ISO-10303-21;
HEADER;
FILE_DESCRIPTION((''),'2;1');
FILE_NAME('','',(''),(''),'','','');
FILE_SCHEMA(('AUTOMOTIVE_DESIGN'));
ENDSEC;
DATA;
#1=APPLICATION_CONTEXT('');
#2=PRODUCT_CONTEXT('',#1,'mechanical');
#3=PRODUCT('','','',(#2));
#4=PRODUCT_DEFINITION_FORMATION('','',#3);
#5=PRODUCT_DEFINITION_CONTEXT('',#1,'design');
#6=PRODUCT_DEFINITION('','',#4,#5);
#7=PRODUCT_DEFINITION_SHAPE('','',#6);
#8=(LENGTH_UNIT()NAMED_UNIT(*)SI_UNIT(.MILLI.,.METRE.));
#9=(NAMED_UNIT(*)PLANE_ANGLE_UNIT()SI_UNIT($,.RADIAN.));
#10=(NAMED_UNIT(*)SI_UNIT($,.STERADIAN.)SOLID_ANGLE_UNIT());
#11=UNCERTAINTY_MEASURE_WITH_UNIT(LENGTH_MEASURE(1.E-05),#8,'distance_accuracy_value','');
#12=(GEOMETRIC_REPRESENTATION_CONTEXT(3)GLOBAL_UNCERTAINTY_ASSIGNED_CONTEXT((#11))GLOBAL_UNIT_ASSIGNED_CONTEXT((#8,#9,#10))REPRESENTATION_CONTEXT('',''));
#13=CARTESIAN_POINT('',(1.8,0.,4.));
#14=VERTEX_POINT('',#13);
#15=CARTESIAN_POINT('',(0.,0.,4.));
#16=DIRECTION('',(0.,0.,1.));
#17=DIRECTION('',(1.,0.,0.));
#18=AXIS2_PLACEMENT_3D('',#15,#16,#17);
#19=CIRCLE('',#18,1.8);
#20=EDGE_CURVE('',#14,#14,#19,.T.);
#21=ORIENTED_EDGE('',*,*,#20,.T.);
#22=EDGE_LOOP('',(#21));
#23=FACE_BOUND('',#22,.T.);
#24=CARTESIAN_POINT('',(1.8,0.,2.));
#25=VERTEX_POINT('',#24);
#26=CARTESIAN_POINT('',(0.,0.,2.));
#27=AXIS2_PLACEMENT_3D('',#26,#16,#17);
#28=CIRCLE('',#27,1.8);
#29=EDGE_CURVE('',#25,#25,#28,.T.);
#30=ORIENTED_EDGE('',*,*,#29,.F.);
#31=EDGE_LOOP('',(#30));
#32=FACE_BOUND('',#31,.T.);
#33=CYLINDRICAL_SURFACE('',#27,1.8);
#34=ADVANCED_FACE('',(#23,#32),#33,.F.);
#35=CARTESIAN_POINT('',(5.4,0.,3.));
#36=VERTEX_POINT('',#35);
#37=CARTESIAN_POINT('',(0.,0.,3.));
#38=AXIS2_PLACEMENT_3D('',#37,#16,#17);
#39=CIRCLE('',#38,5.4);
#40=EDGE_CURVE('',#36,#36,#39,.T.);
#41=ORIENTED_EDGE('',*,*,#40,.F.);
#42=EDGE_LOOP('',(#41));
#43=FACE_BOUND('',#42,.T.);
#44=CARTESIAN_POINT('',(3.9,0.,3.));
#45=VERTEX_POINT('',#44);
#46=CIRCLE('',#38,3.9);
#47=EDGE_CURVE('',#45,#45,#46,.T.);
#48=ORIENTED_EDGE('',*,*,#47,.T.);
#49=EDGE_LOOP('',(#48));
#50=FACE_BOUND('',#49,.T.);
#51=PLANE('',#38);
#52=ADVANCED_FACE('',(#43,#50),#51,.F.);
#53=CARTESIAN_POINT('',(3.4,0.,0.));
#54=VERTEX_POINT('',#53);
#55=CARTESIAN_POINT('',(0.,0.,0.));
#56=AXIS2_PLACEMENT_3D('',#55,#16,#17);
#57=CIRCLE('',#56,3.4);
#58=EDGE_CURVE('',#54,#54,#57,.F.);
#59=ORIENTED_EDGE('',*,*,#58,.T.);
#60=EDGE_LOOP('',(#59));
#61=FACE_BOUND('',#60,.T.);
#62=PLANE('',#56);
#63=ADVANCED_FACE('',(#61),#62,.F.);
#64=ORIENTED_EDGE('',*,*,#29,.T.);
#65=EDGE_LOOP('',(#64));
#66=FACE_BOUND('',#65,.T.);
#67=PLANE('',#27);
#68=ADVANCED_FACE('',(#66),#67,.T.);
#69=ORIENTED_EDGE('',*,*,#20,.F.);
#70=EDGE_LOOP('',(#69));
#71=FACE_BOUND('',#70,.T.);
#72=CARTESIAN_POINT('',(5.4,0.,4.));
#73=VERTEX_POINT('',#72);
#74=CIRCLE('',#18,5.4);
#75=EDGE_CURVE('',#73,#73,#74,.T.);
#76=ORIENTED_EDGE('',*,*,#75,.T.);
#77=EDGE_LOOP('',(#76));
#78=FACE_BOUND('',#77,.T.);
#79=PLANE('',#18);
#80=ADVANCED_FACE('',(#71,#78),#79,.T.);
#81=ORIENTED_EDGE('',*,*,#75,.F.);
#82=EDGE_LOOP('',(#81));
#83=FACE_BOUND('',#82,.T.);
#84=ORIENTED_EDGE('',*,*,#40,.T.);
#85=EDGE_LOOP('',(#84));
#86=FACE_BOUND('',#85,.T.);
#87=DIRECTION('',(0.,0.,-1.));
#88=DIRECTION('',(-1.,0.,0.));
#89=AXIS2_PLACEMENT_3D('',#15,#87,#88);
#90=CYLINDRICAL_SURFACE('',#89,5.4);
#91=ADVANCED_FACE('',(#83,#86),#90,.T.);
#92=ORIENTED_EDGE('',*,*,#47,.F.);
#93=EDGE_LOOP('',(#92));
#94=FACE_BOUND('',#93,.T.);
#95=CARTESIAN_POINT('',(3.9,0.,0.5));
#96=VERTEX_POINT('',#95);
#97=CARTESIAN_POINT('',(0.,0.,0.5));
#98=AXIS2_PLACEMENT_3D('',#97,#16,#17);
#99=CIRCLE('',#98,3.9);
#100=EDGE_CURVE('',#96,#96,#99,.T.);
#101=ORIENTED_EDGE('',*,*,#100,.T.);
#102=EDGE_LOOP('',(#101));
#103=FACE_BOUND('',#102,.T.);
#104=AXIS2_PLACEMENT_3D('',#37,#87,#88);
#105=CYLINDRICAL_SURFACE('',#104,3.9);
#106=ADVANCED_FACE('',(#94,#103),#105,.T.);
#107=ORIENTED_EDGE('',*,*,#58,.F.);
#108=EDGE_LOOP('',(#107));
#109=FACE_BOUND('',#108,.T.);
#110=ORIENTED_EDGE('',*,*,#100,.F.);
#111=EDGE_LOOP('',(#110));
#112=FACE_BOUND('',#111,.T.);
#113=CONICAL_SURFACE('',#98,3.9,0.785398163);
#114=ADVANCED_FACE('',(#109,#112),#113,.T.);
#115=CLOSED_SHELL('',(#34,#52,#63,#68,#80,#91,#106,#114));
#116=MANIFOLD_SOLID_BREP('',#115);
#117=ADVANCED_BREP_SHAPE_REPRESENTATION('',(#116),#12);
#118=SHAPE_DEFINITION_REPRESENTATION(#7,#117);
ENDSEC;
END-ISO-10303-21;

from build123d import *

# Parameters (mm, degrees)
SKETCH_1_R          = 3.9
EXTRUDE_1_DEPTH     = 3
CHAMFER_1_SIZE      = 0.5
SKETCH_4_R          = 5.4
EXTRUDE_2_DEPTH     = 1
SKETCH_5_R          = 1.8
CUT_EXTRUDE_2_DEPTH = 2


with BuildPart() as part:
    # Эскиз1 → Бобышка-Вытянуть1 (new body)
    with BuildSketch(Plane.XY):
        Circle(SKETCH_1_R)
    extrude(amount=EXTRUDE_1_DEPTH)

    # Фаска1
    chamfer_1_edges = [part.edges().sort_by_distance(p)[0] for p in [
        (-3.9, 0, 0),
    ]]
    chamfer(chamfer_1_edges, length=CHAMFER_1_SIZE)

    # Эскиз4 → Бобышка-Вытянуть2 (add)
    with BuildSketch(Plane.XY.offset(3)):
        Circle(SKETCH_4_R)
    extrude(amount=EXTRUDE_2_DEPTH)

    # Эскиз5 → Вырез-Вытянуть2 (cut)
    with BuildSketch(Plane.XY.offset(4)):
        Circle(SKETCH_5_R)
    extrude(amount=-CUT_EXTRUDE_2_DEPTH, mode=Mode.SUBTRACT)


solid = part.part
